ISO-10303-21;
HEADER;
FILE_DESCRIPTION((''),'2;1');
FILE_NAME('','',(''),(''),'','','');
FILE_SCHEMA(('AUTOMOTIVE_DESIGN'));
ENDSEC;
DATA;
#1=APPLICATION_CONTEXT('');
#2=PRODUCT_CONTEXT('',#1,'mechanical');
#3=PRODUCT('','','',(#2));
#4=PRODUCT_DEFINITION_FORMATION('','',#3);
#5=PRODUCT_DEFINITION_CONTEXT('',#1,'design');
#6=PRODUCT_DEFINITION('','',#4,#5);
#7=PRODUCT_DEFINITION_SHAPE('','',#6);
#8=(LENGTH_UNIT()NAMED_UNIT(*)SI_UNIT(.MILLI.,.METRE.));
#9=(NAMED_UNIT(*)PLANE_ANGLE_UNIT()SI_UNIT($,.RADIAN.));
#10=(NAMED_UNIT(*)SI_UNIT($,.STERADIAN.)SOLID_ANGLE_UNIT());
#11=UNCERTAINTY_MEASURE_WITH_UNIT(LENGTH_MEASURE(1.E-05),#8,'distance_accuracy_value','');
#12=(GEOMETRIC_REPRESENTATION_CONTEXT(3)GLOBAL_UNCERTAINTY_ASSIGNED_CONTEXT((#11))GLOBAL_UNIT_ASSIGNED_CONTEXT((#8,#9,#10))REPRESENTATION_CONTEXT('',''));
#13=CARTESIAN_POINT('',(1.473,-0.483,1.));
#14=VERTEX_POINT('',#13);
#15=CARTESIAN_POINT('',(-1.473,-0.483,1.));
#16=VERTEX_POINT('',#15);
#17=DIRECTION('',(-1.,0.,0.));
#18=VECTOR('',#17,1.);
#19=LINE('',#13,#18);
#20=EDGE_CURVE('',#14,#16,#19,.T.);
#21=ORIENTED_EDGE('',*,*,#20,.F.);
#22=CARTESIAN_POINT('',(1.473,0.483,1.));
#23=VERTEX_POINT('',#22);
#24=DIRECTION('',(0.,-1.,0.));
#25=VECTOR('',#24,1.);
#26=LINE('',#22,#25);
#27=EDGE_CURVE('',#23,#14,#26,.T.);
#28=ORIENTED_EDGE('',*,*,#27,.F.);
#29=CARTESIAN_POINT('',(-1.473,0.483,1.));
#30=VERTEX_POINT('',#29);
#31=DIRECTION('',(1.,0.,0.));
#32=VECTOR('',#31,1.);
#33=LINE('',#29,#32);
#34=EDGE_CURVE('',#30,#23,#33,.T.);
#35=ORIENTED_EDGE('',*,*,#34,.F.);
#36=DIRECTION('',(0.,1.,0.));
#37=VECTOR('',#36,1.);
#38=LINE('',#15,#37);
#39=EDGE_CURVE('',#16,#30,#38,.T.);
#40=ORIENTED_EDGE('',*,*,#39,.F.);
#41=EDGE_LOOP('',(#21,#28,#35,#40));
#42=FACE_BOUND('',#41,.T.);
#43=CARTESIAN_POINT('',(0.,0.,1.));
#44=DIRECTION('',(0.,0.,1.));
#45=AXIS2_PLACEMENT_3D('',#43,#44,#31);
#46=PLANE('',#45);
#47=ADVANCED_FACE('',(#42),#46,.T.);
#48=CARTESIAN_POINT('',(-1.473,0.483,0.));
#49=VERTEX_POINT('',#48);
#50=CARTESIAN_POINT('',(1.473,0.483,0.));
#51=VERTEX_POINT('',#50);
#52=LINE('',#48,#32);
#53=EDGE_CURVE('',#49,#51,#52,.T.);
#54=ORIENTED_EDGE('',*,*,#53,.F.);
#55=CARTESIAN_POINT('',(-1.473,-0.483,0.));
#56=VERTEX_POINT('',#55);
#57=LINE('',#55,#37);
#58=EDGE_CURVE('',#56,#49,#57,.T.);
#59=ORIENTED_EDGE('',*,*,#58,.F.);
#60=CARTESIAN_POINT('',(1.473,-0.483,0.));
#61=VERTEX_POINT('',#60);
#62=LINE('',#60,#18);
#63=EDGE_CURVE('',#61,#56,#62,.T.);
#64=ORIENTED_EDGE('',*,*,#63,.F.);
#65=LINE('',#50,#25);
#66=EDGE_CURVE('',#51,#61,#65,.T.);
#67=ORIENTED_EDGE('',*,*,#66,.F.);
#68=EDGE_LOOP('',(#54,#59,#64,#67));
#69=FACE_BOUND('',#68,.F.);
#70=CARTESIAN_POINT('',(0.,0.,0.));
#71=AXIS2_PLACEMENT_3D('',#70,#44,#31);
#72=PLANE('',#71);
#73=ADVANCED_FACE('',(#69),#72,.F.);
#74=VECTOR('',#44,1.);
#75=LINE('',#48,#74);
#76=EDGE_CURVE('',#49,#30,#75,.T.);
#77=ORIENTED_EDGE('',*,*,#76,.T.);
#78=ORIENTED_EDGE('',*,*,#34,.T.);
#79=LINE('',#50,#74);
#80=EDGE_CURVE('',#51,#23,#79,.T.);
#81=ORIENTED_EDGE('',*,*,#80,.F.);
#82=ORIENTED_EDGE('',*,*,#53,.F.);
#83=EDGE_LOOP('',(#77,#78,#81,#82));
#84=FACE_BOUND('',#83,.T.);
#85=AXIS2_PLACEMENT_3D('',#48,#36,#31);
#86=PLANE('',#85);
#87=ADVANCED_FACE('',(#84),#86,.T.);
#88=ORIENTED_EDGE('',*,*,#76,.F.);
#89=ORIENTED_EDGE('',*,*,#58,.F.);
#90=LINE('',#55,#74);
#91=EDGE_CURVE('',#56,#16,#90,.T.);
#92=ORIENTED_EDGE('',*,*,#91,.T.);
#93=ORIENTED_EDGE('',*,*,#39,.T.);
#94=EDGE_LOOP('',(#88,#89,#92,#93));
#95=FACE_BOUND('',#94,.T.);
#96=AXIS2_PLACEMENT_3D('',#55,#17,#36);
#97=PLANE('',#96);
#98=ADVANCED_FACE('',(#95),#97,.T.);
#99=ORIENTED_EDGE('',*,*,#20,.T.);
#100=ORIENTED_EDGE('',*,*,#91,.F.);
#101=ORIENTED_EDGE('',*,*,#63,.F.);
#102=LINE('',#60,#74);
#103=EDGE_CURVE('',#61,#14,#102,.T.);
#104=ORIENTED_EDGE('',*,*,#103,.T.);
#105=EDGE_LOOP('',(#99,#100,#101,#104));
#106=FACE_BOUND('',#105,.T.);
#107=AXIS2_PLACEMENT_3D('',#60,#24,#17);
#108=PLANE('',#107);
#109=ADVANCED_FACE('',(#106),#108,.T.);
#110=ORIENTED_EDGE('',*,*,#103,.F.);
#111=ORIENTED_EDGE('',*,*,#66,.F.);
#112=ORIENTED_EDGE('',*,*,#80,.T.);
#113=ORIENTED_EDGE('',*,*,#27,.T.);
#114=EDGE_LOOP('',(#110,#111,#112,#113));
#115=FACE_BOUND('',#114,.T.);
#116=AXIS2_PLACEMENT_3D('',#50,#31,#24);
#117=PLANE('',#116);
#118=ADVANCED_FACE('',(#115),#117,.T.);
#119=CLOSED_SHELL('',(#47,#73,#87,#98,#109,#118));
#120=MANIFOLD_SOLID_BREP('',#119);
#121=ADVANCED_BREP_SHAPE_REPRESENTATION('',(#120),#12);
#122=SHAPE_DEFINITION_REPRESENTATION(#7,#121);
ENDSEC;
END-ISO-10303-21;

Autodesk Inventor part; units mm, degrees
ref_plane "YZ Plane" through (0, 0, 0) normal (1, 0, 0) x (0, 1, 0)
ref_plane "XZ Plane" through (0, 0, 0) normal (0, 1, 0) x (-1, 0, 0)
ref_plane "XY Plane" through (0, 0, 0) normal (0, 0, 1) x (1, 0, 0)
sketch "0402-RES, 10K_43" plane through (0, 0, 0) normal (0, 0, 1) x (1, 0, 0)
  line L0 (-1.473, 0.483) -> (1.473, 0.483)
  line L1 (1.473, 0.483) -> (1.473, -0.483)
  line L2 (1.473, -0.483) -> (-1.473, -0.483)
  line L3 (-1.473, -0.483) -> (-1.473, 0.483)
extrude "Extrusion1" add sketch "0402-RES, 10K_43" along normal blind 1
properties part number "10K"
